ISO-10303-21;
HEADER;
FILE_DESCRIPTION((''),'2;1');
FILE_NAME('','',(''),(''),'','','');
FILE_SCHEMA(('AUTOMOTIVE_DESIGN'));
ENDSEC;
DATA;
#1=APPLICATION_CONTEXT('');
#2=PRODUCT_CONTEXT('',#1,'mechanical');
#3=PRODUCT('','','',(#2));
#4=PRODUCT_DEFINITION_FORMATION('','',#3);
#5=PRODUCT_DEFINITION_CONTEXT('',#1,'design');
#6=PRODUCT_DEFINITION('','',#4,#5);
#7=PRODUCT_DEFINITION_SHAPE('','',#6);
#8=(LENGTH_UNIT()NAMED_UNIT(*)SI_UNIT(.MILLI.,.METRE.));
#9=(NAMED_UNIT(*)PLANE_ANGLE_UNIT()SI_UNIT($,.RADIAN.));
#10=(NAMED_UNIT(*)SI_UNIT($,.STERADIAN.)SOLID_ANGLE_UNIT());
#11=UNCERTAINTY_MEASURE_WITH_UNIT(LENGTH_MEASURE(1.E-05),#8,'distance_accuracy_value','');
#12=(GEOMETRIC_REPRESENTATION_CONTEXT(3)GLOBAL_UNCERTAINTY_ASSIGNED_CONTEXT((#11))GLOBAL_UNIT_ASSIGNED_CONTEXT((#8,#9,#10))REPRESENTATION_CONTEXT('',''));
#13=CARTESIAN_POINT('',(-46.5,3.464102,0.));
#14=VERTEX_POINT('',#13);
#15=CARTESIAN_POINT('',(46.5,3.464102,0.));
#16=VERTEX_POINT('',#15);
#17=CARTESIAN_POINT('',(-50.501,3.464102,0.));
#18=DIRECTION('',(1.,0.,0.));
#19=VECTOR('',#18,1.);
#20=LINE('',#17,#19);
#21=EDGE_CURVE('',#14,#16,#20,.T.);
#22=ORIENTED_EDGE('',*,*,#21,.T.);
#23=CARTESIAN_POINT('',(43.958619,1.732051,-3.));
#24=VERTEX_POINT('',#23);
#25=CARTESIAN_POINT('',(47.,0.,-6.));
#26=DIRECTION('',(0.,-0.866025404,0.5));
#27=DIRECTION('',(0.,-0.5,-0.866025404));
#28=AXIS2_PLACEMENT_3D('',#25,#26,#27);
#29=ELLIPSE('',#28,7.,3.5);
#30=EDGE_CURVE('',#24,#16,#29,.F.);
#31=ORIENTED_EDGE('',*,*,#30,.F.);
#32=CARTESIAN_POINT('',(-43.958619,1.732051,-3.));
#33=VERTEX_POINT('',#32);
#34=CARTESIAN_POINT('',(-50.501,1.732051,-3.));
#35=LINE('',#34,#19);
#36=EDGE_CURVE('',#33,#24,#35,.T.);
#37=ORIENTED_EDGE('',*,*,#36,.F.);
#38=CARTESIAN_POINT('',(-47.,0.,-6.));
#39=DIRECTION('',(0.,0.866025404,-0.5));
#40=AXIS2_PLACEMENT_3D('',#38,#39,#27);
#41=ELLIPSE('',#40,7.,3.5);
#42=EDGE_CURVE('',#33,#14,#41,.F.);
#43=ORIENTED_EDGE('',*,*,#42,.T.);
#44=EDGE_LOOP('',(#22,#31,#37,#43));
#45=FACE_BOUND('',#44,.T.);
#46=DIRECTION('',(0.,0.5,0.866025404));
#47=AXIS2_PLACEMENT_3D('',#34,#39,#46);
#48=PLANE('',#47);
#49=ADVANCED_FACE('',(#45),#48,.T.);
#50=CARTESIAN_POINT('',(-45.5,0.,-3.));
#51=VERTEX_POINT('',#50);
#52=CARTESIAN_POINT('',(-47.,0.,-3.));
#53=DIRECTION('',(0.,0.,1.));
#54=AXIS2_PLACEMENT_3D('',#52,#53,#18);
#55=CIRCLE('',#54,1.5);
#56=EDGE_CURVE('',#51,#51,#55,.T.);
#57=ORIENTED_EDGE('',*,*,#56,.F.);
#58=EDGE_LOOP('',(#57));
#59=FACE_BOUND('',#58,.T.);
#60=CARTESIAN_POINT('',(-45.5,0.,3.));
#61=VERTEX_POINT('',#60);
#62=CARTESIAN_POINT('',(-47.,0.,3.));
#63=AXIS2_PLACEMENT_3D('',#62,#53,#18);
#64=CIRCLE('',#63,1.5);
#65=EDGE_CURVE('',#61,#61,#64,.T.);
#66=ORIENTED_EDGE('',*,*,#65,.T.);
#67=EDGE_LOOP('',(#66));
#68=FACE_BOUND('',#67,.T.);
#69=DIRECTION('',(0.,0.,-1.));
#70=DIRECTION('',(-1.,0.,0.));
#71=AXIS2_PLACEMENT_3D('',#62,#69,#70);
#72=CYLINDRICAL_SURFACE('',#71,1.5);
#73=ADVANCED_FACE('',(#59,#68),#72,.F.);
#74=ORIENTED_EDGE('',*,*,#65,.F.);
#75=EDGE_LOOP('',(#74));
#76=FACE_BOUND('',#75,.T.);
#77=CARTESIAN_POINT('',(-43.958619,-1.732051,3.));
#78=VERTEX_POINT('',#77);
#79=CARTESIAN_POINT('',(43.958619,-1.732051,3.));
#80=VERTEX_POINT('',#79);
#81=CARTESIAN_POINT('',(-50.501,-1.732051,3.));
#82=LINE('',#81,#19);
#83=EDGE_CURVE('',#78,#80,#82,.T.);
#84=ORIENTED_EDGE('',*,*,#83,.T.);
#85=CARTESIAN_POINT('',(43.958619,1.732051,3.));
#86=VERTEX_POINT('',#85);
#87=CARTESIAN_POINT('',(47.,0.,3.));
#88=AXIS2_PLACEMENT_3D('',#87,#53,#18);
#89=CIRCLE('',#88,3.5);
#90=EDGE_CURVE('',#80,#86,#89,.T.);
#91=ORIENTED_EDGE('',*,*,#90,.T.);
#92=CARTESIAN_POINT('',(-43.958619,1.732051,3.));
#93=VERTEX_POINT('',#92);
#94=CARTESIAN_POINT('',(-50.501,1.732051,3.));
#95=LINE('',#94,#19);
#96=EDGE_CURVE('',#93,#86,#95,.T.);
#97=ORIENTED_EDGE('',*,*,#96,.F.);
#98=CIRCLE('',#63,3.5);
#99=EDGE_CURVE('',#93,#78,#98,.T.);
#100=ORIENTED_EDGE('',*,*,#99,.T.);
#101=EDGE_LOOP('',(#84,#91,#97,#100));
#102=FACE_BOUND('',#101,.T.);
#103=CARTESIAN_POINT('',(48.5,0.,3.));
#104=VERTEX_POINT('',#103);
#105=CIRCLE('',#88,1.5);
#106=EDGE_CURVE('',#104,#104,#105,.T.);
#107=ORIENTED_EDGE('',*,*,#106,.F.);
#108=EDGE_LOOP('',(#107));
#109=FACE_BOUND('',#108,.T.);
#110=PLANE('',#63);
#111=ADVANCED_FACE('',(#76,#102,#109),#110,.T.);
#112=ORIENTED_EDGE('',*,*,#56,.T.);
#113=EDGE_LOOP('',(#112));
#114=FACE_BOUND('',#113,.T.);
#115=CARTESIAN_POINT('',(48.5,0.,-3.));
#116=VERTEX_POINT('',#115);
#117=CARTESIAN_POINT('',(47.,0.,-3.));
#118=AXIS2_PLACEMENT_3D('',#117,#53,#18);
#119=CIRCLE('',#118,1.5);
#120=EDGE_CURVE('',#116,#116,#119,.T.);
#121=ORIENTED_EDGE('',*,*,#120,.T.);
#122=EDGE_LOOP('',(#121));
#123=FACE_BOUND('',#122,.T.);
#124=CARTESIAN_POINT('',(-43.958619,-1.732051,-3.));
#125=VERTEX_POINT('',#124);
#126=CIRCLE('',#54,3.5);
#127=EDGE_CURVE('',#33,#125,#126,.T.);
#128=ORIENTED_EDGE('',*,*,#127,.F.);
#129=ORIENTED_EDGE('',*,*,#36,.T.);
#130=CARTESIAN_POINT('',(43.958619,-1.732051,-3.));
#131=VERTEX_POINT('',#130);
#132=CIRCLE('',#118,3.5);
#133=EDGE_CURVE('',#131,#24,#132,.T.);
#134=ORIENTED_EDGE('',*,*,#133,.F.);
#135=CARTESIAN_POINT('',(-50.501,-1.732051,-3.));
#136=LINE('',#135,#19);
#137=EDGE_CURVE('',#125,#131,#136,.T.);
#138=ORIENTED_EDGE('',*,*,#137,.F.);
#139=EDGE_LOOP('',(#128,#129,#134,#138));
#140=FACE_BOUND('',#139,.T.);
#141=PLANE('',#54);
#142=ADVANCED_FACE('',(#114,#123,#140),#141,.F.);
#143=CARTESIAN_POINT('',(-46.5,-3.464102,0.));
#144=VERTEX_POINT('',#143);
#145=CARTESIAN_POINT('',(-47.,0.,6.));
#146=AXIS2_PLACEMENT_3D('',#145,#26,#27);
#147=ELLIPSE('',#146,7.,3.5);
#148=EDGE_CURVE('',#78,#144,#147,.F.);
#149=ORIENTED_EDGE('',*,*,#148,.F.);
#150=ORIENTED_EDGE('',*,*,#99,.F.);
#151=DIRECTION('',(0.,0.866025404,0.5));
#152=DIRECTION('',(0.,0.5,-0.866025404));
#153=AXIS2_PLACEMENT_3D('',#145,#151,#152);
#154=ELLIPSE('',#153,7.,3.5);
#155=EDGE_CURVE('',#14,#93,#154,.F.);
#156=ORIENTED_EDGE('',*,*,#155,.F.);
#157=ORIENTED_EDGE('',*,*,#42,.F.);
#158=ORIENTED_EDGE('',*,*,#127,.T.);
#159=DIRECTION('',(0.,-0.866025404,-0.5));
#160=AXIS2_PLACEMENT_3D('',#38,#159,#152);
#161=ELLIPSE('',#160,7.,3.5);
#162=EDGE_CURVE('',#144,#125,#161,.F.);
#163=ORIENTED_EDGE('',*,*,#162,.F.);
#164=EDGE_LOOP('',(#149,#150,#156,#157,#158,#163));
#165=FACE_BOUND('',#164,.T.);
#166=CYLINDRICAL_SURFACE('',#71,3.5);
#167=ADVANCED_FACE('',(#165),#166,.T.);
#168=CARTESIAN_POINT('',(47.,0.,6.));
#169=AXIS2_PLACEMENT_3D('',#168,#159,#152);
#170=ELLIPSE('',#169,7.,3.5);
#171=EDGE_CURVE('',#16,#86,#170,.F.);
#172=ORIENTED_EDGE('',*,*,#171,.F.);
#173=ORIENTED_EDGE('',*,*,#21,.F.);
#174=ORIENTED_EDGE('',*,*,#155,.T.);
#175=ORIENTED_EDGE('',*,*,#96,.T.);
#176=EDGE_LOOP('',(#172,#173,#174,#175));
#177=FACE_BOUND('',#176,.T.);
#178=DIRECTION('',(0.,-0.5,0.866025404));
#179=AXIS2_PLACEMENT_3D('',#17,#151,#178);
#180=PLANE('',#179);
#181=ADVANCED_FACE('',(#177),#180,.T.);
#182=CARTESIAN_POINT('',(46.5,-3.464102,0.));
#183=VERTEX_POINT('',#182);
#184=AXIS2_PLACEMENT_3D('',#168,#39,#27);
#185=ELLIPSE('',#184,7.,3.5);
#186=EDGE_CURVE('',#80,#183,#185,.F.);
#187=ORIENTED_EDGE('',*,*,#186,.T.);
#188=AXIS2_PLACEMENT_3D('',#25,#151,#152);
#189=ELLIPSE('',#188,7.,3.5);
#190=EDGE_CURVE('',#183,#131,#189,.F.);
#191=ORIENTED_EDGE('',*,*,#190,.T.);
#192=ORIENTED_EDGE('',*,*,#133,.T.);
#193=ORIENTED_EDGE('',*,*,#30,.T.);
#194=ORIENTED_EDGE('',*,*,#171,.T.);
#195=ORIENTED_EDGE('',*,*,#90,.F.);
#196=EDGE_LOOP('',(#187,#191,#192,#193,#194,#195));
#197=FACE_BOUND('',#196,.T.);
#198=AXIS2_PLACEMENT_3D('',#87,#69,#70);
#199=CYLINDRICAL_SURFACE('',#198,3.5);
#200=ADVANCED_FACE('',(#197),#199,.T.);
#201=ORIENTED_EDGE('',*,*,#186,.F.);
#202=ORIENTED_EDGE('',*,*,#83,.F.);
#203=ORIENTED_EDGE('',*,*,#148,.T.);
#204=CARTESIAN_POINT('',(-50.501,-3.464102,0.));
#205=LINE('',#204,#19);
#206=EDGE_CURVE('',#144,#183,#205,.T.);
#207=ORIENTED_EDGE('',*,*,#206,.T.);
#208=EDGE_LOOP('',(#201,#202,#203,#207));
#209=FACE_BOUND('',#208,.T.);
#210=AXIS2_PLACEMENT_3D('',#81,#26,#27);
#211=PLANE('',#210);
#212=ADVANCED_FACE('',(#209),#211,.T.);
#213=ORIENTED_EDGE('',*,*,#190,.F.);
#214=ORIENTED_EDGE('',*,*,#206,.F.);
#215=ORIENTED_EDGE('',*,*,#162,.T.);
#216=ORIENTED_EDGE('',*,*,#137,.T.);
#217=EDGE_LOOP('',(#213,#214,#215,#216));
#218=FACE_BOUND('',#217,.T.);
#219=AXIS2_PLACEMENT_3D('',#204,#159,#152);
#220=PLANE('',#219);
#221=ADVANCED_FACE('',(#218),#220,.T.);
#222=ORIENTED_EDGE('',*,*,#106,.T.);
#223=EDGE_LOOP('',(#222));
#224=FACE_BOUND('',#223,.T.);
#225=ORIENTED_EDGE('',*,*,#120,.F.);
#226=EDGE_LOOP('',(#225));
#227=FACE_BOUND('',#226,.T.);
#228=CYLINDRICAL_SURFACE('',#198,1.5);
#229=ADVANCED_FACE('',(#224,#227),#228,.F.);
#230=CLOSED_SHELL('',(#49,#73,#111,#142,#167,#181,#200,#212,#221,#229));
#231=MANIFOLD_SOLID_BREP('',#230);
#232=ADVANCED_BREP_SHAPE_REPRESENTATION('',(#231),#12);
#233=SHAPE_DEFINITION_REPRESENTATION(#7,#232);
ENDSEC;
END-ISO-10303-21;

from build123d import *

# Parameters (mm, degrees)
SKETCH1_R                            = 3.5
SKETCH1_R_2                          = 1.5
BOSS_EXTRUDE1_DEPTH                  = 3
BOSS_EXTRUDE1_2_DEPTH                = 3
BOSS_EXTRUDE2_REACH                  = 52.71
BOSS_EXTRUDE2_END_RADIUS             = 3.5
BOSS_EXTRUDE2_DIRECTION_2_REACH      = 52.71
BOSS_EXTRUDE2_DIRECTION_2_END_RADIUS = 3.5


with BuildPart() as part:
    # Sketch1 → Boss-Extrude1 (new, symmetric)
    with BuildSketch(Plane.XY):
        with Locations((-47, 0)):
            Circle(SKETCH1_R)
        with Locations((-47, 0)):
            Circle(SKETCH1_R_2, mode=Mode.SUBTRACT)
    extrude(amount=BOSS_EXTRUDE1_DEPTH, both=True)



with BuildPart() as body_2:
    # Sketch1 → Boss-Extrude1 2 (new, symmetric)
    with BuildSketch(Plane.XY):
        with Locations((47, 0)):
            Circle(SKETCH1_R)
        with Locations((47, 0)):
            Circle(SKETCH1_R_2, mode=Mode.SUBTRACT)
    extrude(amount=BOSS_EXTRUDE1_2_DEPTH, both=True)


with BuildPart() as part_1:
    add(part.part)

    add(body_2.part)  # Boss-Extrude2 merges body 2
    # Boss-Extrude2: up to this cylinder (the profile starts outside it)
    boss_extrude2_end = Plane(origin=(-47, 0, 0), z_dir=(0, 0, -1)) * Cylinder(BOSS_EXTRUDE2_END_RADIUS, 113.42, mode=Mode.PRIVATE)
    # Sketch2 → Boss-Extrude2 (add, up to the surface)
    with BuildSketch(Plane(origin=(0, 0, 0), x_dir=(0, 0, -1), z_dir=(1, 0, 0)), mode=Mode.PRIVATE) as boss_extrude2_sk1:
        Polygon((-3, 1.732050808), (-3, -1.732050808), (0, -3.464101615), (3, -1.732050808), (3, 1.732050808), (0, 3.464101615), align=None)
    boss_extrude2_tool1 = extrude(boss_extrude2_sk1.sketch, amount=-BOSS_EXTRUDE2_REACH, mode=Mode.PRIVATE) - boss_extrude2_end
    add(boss_extrude2_tool1.solids().sort_by_distance((0, 0, 0))[0])

    # Boss-Extrude2 direction 2: up to this cylinder (the profile starts outside it)
    boss_extrude2_direction_2_end = Plane(origin=(47, 0, 0), z_dir=(0, 0, -1)) * Cylinder(BOSS_EXTRUDE2_DIRECTION_2_END_RADIUS, 113.42, mode=Mode.PRIVATE)
    # Sketch2 → Boss-Extrude2 direction 2 (add, up to the surface)
    with BuildSketch(Plane(origin=(0, 0, 0), x_dir=(0, 0, -1), z_dir=(1, 0, 0)), mode=Mode.PRIVATE) as boss_extrude2_direction_2_sk1:
        Polygon((-3, 1.732050808), (-3, -1.732050808), (0, -3.464101615), (3, -1.732050808), (3, 1.732050808), (0, 3.464101615), align=None)
    boss_extrude2_direction_2_tool1 = extrude(boss_extrude2_direction_2_sk1.sketch, amount=BOSS_EXTRUDE2_DIRECTION_2_REACH, mode=Mode.PRIVATE) - boss_extrude2_direction_2_end
    add(boss_extrude2_direction_2_tool1.solids().sort_by_distance((0, 0, 0))[0])


solid = part_1.part
